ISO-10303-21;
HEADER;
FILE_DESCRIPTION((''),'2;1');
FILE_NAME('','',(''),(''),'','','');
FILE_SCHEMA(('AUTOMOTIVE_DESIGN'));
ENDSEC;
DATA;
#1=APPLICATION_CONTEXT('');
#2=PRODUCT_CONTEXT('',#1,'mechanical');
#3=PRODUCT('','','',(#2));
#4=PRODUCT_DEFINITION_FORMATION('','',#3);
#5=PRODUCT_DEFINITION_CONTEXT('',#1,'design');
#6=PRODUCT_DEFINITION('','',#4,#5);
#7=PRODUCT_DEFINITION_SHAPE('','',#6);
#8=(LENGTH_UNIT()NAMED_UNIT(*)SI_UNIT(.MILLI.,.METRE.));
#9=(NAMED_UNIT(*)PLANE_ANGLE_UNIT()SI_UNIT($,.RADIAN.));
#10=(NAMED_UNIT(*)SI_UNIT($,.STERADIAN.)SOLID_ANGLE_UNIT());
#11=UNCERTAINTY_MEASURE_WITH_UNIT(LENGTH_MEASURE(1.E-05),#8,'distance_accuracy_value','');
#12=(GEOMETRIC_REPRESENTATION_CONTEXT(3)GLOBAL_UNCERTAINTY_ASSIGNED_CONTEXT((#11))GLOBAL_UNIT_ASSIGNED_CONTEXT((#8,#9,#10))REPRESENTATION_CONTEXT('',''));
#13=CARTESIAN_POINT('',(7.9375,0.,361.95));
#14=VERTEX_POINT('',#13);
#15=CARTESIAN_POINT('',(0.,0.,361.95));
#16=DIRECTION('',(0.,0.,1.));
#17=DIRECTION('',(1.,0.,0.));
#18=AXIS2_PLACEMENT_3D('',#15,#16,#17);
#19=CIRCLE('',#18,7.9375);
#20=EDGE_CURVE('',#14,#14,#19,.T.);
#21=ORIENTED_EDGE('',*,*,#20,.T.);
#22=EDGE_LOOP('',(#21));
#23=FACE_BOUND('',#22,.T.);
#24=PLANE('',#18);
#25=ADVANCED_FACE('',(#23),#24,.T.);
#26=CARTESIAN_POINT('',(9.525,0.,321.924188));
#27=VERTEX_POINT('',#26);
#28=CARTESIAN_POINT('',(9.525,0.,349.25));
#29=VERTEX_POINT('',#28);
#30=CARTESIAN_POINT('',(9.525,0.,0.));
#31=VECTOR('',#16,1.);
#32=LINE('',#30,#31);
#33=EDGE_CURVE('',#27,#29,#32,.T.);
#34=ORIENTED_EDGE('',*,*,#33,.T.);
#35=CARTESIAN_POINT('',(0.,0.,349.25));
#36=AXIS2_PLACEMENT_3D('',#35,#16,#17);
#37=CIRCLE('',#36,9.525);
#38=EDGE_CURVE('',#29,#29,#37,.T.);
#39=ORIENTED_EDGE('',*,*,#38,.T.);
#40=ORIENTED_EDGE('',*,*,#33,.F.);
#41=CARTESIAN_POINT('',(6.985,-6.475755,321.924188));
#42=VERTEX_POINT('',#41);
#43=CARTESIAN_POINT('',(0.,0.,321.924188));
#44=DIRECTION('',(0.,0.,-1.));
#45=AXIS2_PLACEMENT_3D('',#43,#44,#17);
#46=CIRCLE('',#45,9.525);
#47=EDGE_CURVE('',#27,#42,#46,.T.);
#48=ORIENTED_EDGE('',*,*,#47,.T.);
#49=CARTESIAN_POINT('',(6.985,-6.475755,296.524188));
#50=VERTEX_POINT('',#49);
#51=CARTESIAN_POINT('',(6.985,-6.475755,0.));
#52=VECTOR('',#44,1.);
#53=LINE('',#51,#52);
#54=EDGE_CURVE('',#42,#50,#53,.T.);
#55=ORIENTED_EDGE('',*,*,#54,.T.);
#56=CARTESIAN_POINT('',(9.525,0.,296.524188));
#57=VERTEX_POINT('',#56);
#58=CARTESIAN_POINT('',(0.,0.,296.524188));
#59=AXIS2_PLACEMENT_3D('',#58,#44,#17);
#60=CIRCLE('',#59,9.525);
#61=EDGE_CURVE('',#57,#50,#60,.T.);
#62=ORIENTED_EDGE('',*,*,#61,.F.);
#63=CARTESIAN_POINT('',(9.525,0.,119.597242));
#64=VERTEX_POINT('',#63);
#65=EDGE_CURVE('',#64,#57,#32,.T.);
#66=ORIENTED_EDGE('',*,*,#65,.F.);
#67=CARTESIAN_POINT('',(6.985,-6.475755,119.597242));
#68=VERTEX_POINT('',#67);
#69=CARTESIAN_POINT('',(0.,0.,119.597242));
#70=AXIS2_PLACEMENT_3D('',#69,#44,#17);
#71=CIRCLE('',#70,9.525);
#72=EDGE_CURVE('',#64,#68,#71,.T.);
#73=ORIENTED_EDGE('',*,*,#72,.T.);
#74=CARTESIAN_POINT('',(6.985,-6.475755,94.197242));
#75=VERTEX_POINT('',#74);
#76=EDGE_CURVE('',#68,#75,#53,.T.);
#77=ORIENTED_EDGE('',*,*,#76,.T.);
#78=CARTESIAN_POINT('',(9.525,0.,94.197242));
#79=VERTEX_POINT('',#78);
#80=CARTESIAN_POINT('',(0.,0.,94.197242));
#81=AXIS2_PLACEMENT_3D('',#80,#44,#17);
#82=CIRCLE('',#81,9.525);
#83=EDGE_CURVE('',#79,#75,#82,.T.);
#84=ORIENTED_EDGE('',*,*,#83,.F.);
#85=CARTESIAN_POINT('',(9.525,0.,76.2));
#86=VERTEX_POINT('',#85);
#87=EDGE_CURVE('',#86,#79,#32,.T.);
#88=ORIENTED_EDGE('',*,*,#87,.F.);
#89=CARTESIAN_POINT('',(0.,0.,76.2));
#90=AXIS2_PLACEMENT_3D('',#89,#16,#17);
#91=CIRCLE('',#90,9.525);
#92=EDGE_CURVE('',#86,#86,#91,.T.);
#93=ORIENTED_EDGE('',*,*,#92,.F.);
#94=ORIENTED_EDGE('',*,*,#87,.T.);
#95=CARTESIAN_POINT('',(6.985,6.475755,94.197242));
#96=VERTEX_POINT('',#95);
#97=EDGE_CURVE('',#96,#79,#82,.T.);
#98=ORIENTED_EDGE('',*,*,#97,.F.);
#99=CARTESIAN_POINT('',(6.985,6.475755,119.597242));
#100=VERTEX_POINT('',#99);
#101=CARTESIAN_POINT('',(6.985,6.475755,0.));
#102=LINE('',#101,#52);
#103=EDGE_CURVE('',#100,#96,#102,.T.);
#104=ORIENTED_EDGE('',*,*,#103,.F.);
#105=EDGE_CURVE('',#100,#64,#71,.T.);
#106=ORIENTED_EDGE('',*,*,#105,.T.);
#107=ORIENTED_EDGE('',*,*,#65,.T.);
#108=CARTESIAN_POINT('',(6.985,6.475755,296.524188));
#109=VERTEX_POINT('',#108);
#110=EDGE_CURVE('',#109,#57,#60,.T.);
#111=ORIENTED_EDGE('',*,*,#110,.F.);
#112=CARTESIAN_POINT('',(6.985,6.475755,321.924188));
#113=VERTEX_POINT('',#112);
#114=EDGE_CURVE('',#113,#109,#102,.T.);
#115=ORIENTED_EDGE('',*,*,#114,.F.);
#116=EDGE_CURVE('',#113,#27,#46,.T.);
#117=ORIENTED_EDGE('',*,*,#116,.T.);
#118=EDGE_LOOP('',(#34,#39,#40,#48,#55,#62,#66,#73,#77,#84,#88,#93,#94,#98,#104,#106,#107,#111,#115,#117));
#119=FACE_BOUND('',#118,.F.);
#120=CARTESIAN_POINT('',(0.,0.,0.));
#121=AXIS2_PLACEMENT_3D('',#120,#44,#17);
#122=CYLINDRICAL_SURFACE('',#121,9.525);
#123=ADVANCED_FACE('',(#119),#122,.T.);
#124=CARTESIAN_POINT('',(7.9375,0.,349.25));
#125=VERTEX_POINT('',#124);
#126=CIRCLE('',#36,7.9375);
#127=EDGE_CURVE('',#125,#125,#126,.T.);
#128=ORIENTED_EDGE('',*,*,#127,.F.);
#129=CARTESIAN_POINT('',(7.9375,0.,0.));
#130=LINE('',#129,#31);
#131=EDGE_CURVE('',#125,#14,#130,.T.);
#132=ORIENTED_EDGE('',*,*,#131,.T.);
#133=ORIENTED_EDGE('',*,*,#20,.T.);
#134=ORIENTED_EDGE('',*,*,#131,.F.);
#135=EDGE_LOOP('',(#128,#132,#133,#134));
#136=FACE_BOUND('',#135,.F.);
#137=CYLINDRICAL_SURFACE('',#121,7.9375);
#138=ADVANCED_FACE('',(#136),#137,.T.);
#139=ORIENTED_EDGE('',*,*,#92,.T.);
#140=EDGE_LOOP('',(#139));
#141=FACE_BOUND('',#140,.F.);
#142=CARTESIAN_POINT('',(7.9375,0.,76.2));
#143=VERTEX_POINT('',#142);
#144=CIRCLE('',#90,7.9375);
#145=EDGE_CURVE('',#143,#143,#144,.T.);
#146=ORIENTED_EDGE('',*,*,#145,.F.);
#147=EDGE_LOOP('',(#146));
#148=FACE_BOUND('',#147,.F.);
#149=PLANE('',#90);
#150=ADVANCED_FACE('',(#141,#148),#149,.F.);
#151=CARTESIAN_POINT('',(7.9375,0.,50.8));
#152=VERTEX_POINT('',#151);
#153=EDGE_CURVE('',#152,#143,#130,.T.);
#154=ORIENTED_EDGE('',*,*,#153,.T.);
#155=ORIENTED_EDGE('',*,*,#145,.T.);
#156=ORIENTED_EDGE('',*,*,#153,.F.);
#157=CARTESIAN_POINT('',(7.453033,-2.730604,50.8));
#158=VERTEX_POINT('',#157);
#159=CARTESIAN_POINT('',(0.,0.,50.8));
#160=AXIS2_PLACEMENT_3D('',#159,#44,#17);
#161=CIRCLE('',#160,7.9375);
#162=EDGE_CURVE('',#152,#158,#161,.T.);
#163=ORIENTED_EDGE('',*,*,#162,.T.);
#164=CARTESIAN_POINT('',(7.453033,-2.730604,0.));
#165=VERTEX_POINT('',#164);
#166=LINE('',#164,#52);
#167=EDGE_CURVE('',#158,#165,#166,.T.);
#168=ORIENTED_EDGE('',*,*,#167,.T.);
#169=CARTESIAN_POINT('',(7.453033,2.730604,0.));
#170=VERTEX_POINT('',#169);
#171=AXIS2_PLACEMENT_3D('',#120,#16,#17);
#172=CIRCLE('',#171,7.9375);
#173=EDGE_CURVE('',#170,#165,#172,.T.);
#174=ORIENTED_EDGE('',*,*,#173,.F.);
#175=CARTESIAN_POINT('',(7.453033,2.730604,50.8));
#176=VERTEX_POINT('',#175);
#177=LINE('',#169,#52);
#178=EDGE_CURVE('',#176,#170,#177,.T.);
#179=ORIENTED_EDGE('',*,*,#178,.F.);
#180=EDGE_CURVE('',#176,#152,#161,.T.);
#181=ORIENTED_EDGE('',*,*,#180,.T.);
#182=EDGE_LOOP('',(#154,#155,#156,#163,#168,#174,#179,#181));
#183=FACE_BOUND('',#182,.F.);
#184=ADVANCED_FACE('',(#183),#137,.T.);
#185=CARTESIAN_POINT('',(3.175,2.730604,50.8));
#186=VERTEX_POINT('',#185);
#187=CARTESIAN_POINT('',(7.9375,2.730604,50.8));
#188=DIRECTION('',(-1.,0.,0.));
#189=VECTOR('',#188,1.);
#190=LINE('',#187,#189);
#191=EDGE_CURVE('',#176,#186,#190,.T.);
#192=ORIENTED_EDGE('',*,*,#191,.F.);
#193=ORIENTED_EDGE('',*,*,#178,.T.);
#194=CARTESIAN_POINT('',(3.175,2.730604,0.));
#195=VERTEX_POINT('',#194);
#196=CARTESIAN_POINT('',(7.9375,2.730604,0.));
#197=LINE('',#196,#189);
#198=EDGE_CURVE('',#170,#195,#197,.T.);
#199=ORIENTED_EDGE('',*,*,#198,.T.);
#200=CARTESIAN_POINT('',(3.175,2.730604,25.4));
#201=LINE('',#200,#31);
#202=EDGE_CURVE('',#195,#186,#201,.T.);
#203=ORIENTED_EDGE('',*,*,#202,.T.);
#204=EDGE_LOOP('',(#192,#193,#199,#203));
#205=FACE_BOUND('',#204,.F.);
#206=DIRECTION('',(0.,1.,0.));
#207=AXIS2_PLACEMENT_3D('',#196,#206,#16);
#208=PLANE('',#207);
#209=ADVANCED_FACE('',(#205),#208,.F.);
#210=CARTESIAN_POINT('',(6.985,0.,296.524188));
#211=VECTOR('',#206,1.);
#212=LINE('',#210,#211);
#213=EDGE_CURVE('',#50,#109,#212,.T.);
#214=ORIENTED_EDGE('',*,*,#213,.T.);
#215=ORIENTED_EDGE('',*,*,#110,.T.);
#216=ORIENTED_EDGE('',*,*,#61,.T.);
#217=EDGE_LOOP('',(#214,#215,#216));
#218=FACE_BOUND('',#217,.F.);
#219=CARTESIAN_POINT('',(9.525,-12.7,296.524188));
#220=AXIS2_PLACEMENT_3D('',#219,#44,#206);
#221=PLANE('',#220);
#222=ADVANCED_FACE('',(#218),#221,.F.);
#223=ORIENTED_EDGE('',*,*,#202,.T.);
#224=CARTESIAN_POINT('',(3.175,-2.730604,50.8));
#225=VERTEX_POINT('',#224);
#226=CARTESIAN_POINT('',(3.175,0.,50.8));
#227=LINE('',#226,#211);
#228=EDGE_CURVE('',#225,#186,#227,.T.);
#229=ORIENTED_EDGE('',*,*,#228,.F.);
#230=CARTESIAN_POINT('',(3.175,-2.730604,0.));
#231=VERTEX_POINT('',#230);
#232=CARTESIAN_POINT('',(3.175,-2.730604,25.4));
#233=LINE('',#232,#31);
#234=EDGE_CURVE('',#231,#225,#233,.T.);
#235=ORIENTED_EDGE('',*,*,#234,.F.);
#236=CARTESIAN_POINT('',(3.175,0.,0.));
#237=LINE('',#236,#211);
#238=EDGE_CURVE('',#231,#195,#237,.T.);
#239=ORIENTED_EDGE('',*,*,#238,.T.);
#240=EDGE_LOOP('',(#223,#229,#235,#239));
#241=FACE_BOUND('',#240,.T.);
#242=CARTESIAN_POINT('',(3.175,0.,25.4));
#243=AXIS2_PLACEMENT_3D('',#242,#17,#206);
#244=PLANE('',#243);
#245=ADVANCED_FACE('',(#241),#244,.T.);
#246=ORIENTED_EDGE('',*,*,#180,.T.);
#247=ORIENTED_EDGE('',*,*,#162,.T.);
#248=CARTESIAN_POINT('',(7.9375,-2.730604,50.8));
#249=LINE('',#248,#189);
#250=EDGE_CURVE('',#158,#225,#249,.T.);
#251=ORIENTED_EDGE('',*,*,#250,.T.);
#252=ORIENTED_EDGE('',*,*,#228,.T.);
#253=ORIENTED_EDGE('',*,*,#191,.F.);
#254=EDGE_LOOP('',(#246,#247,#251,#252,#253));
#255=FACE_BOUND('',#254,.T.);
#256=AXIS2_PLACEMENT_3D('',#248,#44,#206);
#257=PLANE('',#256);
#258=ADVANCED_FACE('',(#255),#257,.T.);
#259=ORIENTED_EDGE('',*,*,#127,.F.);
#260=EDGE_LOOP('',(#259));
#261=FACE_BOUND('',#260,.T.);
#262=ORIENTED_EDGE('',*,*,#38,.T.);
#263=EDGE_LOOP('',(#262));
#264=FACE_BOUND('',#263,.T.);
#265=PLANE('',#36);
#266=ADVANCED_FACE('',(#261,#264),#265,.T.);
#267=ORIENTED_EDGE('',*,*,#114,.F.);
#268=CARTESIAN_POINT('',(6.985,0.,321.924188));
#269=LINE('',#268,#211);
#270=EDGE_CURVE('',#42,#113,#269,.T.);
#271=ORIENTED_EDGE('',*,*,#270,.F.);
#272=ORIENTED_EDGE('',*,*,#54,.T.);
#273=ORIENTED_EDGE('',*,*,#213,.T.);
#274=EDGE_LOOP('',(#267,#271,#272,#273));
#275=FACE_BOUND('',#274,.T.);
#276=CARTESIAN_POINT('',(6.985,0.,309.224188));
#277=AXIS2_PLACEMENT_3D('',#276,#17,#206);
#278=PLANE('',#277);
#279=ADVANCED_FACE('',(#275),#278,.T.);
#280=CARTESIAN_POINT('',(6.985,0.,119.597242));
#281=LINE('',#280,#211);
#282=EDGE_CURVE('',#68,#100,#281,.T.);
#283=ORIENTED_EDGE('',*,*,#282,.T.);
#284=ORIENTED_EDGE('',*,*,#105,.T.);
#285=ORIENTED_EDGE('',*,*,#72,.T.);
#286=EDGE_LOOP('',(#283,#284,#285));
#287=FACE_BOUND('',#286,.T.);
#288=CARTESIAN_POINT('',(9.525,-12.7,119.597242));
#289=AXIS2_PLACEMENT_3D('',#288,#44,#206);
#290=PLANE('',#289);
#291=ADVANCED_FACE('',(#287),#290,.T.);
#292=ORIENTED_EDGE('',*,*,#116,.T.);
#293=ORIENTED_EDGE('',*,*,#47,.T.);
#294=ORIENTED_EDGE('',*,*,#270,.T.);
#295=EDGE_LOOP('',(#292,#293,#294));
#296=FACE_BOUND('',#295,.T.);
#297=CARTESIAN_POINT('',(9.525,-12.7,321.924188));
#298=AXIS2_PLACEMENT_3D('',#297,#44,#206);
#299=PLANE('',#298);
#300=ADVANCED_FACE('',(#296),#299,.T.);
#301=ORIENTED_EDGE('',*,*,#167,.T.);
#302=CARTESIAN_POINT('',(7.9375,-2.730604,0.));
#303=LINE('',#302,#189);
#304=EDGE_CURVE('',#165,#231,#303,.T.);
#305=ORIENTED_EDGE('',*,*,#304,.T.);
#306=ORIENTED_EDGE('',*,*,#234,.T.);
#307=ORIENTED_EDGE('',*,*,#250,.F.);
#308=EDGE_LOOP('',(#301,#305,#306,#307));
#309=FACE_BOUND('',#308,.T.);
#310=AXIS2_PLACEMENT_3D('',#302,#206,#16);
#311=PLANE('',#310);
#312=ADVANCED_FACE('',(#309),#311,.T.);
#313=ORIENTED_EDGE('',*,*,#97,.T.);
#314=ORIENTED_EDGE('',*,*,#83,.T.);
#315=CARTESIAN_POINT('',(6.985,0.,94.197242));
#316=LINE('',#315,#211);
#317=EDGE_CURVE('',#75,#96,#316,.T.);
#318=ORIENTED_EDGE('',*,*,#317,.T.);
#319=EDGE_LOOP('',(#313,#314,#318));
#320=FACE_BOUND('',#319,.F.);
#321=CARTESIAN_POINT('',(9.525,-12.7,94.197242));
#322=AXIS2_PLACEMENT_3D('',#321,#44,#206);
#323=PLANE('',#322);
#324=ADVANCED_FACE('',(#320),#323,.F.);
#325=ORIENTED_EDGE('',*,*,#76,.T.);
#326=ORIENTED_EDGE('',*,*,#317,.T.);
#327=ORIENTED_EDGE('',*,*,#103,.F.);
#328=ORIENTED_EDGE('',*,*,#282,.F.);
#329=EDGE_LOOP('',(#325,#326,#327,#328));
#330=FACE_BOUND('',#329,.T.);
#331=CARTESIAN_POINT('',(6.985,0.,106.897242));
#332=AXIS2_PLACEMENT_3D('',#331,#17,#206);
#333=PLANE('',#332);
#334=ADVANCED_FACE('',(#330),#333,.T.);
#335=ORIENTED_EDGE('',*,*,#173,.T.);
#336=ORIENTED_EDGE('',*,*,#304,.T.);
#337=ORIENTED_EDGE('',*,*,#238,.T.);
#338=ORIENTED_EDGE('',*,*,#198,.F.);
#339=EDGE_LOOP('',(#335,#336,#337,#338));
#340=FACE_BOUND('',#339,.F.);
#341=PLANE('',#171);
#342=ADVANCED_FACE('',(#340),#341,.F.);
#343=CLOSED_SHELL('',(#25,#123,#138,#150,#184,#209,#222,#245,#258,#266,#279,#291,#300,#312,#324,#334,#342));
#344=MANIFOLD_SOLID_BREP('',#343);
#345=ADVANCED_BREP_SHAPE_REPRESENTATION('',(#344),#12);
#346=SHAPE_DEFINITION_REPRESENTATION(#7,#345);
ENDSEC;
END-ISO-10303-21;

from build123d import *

# Parameters (mm, degrees)
F0_R     = 7.9375
F1_DEPTH = 361.95
F0_R_2   = 9.525
F2_DEPTH = 349.25
F3_DEPTH = 76.2
F5_W     = 5.461208
F5_H     = 50.8
F6_DEPTH = 4.7625
F8_W     = 25.4
F8_H     = 25.4
F9_DEPTH = 2.54


with BuildPart() as f1:
    # F0 (on Top) → F1 (new body)
    with BuildSketch(Plane.XY):
        Circle(F0_R)
    extrude(amount=F1_DEPTH)

    # F0 (on Top) → F2 (join)
    with BuildSketch(Plane.XY):
        Circle(F0_R_2)
        Circle(F0_R, mode=Mode.SUBTRACT)
    extrude(amount=F2_DEPTH)

    # F0 (on Top) → F3 (cut)
    with BuildSketch(Plane.XY):
        Circle(F0_R_2)
        Circle(F0_R, mode=Mode.SUBTRACT)
    extrude(amount=F3_DEPTH, mode=Mode.SUBTRACT)

    # F5 (on offset) → F6 (cut)
    with BuildSketch(Plane.YZ.offset(7.9375)):
        with Locations((0, 25.4)):
            Rectangle(F5_W, F5_H)
    extrude(amount=-F6_DEPTH, mode=Mode.SUBTRACT)

    # F8 (on offset) → F9 (cut)
    with BuildSketch(Plane.YZ.offset(9.525)):
        with Locations((0, 309.224188)):
            Rectangle(F8_W, F8_H)
        with Locations((0, 106.897242)):
            Rectangle(F8_W, F8_H)
    extrude(amount=-F9_DEPTH, mode=Mode.SUBTRACT)


solid = f1.part
